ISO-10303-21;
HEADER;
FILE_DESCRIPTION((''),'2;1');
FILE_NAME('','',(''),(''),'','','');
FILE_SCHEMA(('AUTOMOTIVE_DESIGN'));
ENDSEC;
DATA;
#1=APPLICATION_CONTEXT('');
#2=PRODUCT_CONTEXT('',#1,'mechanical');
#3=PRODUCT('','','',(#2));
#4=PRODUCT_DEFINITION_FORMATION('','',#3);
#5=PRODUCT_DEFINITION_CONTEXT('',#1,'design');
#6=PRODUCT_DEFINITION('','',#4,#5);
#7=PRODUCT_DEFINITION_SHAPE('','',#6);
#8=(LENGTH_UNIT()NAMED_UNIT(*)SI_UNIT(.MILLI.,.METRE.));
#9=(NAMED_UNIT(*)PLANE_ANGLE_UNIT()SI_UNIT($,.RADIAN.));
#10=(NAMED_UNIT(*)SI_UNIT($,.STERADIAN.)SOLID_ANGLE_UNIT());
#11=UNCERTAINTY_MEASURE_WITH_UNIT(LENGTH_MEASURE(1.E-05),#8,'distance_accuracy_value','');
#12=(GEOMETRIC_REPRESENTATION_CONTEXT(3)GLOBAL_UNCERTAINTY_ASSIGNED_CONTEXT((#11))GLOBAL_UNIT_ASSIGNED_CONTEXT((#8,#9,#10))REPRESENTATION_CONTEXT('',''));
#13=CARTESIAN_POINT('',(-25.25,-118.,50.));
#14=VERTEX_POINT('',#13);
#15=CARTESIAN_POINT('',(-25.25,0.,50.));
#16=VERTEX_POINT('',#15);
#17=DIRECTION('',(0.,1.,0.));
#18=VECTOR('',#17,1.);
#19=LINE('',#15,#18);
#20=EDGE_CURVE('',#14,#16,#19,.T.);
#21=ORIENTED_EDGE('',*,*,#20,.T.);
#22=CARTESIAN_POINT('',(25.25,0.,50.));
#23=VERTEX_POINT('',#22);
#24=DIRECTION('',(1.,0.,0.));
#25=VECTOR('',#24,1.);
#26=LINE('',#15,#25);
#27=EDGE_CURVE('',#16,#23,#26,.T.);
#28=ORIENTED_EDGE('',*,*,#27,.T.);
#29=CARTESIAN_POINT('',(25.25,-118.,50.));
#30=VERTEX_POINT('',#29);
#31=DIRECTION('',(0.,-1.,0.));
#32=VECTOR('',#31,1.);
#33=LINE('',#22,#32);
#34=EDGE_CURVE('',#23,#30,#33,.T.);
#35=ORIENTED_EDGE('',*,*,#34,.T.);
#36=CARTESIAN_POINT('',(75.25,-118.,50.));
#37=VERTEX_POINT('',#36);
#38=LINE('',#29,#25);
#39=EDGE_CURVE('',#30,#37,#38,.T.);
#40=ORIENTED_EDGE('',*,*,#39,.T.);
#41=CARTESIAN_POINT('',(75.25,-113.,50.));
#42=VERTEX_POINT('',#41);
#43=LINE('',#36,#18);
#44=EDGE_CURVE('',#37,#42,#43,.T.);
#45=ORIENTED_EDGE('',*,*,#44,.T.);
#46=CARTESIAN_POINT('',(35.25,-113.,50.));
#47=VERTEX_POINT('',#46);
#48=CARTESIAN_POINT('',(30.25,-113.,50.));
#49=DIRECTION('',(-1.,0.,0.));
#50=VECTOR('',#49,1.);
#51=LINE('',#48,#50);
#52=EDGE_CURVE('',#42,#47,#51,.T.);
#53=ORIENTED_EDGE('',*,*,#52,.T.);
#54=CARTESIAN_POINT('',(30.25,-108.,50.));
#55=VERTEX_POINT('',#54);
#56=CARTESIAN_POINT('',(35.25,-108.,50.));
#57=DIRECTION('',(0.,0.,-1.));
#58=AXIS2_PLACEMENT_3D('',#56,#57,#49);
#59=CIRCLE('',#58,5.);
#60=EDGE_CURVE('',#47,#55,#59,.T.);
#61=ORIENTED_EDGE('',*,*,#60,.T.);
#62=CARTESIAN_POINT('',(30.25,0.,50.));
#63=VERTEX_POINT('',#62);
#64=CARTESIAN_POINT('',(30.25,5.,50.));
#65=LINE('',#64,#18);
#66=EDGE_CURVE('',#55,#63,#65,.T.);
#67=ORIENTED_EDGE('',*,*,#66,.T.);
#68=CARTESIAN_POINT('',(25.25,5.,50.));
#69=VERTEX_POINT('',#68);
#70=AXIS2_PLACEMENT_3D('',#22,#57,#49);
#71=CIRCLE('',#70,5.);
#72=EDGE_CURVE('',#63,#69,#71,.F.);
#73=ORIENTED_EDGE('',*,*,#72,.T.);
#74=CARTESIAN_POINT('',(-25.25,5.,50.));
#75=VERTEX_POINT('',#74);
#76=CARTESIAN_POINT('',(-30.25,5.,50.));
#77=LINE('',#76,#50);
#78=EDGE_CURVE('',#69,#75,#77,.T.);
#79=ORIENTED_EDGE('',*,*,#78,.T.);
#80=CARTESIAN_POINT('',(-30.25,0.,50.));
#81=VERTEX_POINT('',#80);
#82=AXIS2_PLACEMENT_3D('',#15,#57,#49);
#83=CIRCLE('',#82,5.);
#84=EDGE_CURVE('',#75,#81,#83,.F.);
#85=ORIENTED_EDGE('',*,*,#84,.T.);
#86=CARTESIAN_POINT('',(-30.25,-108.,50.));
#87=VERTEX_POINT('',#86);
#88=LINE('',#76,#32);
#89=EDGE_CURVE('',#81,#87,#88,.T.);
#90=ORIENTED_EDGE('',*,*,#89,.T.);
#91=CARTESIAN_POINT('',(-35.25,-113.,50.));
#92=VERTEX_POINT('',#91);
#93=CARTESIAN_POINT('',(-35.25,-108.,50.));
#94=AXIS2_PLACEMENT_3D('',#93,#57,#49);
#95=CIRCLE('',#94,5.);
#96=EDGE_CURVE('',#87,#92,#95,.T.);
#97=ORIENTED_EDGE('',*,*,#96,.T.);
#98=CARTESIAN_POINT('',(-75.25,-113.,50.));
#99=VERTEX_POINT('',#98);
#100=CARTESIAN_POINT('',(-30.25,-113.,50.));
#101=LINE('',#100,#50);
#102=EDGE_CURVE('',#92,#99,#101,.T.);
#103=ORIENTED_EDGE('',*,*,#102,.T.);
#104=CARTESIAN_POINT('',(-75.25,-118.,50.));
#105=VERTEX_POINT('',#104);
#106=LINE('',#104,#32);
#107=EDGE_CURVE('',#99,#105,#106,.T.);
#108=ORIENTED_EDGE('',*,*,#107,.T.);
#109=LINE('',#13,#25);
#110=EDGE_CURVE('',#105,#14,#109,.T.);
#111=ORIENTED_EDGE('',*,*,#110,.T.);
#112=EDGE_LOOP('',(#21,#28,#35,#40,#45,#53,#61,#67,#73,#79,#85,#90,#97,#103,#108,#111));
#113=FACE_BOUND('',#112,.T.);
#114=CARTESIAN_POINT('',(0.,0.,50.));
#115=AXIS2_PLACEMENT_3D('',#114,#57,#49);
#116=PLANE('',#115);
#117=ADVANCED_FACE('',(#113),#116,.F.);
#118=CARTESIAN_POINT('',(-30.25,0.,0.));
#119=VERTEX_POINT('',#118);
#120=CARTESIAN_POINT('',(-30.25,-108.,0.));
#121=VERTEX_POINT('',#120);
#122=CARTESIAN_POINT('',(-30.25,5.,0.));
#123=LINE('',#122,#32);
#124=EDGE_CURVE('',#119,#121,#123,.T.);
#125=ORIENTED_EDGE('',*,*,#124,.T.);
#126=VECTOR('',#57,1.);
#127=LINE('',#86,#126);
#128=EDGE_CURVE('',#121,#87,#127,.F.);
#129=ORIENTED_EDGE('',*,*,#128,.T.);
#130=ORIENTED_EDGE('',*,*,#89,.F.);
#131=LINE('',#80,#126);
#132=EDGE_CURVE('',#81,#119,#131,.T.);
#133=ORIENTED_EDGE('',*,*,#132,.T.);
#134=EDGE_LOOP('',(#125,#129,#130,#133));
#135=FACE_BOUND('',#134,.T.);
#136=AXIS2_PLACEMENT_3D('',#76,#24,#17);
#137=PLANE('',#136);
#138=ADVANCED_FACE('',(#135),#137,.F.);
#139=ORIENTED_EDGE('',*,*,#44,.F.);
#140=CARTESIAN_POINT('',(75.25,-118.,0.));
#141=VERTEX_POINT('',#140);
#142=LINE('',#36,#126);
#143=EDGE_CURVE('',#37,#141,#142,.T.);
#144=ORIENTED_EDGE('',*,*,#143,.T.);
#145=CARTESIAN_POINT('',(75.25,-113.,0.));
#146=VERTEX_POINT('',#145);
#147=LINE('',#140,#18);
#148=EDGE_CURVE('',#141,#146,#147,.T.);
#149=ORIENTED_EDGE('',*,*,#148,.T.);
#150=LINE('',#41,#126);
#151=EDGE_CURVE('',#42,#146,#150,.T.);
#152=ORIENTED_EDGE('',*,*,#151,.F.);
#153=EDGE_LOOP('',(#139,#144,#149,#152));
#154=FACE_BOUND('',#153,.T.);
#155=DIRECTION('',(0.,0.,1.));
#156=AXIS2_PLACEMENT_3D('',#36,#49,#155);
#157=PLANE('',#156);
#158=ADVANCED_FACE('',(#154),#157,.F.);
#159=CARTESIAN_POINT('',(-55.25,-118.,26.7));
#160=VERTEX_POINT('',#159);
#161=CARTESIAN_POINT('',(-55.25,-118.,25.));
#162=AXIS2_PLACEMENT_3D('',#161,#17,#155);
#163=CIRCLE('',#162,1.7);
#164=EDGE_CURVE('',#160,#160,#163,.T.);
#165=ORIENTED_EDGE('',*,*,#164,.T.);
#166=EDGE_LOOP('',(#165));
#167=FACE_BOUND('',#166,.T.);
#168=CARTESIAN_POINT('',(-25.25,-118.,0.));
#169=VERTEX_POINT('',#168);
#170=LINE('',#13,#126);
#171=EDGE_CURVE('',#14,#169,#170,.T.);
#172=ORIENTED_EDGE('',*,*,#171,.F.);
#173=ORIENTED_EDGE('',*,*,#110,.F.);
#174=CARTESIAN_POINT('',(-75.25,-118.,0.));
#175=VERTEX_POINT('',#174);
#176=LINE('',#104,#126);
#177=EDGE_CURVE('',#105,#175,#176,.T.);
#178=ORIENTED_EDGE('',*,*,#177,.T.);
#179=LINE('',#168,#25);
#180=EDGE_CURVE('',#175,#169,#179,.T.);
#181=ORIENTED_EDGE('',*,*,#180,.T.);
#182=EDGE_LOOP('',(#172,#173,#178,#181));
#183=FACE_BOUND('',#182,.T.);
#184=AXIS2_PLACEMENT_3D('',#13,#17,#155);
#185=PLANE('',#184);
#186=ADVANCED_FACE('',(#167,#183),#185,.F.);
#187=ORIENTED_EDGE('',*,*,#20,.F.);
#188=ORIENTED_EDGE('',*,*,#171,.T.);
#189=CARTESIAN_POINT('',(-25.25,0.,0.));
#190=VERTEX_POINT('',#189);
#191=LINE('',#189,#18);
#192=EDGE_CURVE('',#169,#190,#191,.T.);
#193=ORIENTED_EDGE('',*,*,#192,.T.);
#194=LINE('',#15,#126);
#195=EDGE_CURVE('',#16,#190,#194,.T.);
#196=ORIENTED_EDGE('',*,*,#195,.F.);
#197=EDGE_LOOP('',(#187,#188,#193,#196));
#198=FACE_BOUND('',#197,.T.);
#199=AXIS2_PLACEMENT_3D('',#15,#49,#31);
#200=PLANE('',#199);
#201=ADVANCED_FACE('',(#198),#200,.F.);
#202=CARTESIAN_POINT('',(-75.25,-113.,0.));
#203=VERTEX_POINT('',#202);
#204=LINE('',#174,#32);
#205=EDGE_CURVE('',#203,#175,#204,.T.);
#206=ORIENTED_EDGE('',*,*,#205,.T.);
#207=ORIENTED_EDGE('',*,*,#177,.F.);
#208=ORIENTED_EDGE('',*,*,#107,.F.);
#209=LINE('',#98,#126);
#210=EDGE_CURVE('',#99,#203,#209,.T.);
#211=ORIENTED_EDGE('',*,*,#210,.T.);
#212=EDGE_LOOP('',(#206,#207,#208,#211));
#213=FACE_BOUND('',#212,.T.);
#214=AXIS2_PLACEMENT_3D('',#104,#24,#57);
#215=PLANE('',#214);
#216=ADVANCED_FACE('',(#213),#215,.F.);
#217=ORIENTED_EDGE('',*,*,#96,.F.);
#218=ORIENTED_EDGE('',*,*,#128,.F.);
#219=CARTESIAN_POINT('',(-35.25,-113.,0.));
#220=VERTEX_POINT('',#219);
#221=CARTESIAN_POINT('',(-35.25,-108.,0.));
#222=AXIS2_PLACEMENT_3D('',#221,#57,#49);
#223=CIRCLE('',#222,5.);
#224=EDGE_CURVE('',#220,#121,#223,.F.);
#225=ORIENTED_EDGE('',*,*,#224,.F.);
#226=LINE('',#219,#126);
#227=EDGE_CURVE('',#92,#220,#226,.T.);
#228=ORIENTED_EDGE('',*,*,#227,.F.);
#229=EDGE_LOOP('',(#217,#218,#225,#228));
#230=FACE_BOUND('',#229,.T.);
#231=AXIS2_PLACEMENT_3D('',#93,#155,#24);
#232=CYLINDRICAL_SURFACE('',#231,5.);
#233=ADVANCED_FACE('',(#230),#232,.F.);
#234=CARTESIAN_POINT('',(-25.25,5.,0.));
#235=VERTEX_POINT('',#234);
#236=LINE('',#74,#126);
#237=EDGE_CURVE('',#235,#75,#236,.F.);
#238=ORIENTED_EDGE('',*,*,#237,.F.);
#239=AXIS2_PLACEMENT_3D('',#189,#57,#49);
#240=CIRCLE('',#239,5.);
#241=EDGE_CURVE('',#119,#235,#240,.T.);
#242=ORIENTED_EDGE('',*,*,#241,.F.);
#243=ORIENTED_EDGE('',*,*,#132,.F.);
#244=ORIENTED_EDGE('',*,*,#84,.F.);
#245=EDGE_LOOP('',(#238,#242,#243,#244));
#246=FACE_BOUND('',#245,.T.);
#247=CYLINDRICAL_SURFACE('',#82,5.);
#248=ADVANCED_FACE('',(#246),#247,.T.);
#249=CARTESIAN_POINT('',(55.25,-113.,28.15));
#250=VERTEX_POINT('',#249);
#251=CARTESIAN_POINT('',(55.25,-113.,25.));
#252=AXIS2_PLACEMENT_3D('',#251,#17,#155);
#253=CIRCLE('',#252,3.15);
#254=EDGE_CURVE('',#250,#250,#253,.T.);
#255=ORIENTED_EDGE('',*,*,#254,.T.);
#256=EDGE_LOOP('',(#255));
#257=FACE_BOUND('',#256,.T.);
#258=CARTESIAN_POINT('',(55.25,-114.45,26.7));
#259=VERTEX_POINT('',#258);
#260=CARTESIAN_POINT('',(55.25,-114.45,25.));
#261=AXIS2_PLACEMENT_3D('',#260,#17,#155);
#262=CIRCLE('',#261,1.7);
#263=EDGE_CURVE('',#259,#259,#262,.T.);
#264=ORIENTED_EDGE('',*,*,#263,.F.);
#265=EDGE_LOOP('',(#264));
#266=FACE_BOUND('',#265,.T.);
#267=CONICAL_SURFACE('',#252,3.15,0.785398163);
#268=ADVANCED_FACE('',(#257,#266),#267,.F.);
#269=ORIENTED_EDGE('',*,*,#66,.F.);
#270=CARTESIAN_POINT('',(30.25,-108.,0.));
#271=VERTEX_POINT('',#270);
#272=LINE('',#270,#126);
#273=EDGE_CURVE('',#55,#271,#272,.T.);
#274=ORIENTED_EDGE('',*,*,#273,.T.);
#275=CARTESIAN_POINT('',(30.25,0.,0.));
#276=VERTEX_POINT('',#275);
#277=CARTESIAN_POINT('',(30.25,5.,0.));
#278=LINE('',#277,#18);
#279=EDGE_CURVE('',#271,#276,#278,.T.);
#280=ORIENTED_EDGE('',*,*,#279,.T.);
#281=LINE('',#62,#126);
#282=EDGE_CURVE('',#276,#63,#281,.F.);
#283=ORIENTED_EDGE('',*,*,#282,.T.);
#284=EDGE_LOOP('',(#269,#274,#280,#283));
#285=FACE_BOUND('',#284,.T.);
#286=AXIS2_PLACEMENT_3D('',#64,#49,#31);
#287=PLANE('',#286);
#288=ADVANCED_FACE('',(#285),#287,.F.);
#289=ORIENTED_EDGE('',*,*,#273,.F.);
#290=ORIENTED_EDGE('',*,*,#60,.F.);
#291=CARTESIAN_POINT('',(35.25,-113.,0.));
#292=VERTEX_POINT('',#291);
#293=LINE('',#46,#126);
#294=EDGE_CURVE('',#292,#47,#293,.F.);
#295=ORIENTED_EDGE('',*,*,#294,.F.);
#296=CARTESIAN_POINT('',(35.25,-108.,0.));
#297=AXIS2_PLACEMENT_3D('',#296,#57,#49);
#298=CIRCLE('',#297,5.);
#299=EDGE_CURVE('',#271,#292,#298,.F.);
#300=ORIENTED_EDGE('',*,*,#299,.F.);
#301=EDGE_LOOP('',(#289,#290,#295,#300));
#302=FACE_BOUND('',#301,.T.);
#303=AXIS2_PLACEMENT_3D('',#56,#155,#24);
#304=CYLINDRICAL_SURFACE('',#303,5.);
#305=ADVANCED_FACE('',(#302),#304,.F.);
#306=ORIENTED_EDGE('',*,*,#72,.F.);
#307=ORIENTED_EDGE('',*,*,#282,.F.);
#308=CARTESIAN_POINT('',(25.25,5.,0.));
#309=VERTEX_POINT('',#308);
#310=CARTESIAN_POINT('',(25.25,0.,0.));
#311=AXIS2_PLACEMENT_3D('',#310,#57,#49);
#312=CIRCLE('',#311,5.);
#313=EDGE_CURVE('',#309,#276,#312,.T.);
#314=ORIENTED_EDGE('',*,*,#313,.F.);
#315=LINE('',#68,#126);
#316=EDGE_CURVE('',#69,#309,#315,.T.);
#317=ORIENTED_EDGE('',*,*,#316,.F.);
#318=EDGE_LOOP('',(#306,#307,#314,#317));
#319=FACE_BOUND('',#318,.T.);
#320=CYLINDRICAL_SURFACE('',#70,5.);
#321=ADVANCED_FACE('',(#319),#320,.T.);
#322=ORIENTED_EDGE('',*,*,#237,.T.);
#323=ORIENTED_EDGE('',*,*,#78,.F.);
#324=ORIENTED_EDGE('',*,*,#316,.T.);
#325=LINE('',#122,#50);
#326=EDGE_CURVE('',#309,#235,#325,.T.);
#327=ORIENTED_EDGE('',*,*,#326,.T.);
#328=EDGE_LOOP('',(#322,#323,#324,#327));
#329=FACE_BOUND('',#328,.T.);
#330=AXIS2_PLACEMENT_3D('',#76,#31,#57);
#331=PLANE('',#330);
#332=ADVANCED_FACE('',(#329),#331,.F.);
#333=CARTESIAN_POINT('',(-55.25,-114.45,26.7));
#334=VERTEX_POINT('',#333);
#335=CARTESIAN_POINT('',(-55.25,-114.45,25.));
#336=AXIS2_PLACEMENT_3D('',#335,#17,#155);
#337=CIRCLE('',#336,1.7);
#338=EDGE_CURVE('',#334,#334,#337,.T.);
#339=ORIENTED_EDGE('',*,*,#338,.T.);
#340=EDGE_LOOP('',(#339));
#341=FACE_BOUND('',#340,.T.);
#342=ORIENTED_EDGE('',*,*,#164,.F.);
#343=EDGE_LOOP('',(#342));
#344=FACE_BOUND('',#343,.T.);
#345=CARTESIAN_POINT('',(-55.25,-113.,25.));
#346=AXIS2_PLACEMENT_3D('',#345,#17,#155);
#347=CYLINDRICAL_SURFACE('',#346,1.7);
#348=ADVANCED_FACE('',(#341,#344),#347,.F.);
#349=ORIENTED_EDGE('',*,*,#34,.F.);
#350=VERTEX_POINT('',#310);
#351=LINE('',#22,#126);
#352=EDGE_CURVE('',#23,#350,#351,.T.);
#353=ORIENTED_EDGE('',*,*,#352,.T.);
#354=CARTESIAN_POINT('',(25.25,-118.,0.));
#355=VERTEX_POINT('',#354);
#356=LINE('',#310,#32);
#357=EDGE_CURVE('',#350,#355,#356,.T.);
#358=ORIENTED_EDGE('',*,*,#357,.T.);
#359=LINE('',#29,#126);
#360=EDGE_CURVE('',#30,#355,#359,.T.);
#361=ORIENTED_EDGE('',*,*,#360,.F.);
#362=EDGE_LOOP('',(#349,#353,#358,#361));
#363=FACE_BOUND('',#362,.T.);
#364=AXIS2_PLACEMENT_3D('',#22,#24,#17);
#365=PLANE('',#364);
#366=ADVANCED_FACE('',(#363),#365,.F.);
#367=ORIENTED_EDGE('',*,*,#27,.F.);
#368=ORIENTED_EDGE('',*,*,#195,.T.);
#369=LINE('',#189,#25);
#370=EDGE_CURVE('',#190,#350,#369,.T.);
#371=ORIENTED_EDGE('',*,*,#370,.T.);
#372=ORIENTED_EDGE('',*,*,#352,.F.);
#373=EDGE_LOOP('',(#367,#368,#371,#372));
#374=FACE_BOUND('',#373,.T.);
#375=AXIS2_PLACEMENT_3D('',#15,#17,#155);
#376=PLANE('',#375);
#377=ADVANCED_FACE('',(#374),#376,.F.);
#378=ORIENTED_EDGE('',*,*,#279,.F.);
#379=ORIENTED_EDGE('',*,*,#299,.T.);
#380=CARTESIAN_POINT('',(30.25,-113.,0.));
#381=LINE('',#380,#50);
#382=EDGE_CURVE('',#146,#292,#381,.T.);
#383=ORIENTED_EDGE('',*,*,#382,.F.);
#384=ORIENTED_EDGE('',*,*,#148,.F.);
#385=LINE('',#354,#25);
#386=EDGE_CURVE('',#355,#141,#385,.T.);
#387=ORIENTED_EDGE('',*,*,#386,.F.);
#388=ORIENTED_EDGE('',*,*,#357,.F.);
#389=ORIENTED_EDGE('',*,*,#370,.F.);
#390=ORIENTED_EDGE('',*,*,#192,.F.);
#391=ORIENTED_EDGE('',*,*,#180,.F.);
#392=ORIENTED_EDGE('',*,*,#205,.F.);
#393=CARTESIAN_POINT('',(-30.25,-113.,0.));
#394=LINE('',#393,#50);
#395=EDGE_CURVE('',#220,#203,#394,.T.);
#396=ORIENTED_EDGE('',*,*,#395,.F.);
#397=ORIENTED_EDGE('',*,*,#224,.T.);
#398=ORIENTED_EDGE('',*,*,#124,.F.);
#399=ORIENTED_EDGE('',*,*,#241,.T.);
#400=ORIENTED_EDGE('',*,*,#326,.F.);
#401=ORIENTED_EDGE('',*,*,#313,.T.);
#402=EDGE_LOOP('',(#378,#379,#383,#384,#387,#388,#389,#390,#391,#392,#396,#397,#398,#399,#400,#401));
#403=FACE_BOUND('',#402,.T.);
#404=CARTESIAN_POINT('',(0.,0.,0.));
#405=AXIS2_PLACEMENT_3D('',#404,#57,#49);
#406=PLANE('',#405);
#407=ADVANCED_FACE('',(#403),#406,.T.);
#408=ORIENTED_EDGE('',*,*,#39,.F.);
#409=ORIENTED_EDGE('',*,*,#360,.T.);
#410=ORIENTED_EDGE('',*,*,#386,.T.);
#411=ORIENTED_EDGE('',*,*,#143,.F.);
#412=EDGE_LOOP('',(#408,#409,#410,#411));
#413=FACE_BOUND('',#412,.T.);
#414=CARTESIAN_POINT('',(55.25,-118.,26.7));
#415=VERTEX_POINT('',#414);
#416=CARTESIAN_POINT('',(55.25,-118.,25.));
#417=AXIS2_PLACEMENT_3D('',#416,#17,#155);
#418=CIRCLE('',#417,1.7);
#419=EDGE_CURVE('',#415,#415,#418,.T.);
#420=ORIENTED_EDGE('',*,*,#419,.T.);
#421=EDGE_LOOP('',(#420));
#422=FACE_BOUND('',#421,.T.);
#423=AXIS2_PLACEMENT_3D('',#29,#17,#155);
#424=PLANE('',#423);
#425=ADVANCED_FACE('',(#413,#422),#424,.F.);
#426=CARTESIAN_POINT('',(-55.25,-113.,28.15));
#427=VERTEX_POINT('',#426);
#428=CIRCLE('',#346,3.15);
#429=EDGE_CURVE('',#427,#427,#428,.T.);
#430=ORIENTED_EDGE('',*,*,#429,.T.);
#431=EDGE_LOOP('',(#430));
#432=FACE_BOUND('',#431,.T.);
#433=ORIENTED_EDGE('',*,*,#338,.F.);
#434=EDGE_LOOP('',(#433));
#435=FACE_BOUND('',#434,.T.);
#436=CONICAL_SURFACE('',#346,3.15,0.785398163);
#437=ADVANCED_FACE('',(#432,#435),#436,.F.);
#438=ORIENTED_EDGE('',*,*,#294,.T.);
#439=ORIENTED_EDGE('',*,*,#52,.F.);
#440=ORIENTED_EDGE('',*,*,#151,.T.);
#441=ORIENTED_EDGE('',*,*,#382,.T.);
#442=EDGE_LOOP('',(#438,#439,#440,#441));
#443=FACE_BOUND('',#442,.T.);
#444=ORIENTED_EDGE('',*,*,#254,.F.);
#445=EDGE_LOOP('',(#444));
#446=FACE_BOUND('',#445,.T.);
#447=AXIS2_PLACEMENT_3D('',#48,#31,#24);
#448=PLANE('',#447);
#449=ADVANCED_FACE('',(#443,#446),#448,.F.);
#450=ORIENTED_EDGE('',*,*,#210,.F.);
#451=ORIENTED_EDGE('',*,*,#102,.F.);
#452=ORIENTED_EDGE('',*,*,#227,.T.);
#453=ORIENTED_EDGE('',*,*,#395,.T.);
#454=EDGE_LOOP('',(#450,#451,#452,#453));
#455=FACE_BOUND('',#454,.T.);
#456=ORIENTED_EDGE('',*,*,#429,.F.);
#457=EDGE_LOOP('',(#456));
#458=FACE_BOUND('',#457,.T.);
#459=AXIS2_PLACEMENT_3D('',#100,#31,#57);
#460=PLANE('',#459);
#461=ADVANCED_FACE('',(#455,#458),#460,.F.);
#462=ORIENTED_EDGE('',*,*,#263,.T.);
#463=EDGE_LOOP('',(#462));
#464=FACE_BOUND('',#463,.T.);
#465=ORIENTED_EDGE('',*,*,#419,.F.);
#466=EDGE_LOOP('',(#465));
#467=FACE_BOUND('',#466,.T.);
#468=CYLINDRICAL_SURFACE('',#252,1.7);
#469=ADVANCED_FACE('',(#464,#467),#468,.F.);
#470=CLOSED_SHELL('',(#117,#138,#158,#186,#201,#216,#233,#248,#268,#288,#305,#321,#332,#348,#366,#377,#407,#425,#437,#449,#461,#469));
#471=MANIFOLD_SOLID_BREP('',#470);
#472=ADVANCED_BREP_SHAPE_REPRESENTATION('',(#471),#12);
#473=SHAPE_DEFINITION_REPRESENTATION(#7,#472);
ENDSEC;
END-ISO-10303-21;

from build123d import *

# Parameters (mm, degrees)
BOSS_EXTRU_1_DEPTH                             = 50
CONG_1_R                                       = 5
FRAISAGE_POUR_VIS_T_TE_FRAIS_E_M31_D           = 3.4
FRAISAGE_POUR_VIS_T_TE_FRAIS_E_M31_CSINK_D     = 6.3
FRAISAGE_POUR_VIS_T_TE_FRAIS_E_M31_CSINK_ANGLE = 90


with BuildPart() as part:
    # Esquisse1 → Boss.-Extru.1 (new body)
    with BuildSketch(Plane.XY):
        Polygon((-25.25, 0), (25.25, 0), (25.25, -118), (75.25, -118), (75.25, -113), (30.25, -113), (30.25, 5), (-30.25, 5), (-30.25, -113), (-75.25, -113), (-75.25, -118), (-25.25, -118), align=None)
    extrude(amount=BOSS_EXTRU_1_DEPTH)

    # Congé1
    cong_1_edges = [part.edges().sort_by_distance(p)[0] for p in [
        (-30.25, -113, 25),
        (-30.25, 5, 25),
        (30.25, 5, 25),
        (30.25, -113, 25),
    ]]
    fillet(cong_1_edges, radius=CONG_1_R)

    # Fraisage pour vis à tête fraisée M31 (through all)
    with Locations(Plane(origin=(0, -113, 0), x_dir=(1, 0, 0), z_dir=(0, 1, 0))):
        with Locations((-55.25, -25), (55.25, -25)):
            CounterSinkHole(FRAISAGE_POUR_VIS_T_TE_FRAIS_E_M31_D / 2, FRAISAGE_POUR_VIS_T_TE_FRAIS_E_M31_CSINK_D / 2, counter_sink_angle=FRAISAGE_POUR_VIS_T_TE_FRAIS_E_M31_CSINK_ANGLE)


solid = part.part
